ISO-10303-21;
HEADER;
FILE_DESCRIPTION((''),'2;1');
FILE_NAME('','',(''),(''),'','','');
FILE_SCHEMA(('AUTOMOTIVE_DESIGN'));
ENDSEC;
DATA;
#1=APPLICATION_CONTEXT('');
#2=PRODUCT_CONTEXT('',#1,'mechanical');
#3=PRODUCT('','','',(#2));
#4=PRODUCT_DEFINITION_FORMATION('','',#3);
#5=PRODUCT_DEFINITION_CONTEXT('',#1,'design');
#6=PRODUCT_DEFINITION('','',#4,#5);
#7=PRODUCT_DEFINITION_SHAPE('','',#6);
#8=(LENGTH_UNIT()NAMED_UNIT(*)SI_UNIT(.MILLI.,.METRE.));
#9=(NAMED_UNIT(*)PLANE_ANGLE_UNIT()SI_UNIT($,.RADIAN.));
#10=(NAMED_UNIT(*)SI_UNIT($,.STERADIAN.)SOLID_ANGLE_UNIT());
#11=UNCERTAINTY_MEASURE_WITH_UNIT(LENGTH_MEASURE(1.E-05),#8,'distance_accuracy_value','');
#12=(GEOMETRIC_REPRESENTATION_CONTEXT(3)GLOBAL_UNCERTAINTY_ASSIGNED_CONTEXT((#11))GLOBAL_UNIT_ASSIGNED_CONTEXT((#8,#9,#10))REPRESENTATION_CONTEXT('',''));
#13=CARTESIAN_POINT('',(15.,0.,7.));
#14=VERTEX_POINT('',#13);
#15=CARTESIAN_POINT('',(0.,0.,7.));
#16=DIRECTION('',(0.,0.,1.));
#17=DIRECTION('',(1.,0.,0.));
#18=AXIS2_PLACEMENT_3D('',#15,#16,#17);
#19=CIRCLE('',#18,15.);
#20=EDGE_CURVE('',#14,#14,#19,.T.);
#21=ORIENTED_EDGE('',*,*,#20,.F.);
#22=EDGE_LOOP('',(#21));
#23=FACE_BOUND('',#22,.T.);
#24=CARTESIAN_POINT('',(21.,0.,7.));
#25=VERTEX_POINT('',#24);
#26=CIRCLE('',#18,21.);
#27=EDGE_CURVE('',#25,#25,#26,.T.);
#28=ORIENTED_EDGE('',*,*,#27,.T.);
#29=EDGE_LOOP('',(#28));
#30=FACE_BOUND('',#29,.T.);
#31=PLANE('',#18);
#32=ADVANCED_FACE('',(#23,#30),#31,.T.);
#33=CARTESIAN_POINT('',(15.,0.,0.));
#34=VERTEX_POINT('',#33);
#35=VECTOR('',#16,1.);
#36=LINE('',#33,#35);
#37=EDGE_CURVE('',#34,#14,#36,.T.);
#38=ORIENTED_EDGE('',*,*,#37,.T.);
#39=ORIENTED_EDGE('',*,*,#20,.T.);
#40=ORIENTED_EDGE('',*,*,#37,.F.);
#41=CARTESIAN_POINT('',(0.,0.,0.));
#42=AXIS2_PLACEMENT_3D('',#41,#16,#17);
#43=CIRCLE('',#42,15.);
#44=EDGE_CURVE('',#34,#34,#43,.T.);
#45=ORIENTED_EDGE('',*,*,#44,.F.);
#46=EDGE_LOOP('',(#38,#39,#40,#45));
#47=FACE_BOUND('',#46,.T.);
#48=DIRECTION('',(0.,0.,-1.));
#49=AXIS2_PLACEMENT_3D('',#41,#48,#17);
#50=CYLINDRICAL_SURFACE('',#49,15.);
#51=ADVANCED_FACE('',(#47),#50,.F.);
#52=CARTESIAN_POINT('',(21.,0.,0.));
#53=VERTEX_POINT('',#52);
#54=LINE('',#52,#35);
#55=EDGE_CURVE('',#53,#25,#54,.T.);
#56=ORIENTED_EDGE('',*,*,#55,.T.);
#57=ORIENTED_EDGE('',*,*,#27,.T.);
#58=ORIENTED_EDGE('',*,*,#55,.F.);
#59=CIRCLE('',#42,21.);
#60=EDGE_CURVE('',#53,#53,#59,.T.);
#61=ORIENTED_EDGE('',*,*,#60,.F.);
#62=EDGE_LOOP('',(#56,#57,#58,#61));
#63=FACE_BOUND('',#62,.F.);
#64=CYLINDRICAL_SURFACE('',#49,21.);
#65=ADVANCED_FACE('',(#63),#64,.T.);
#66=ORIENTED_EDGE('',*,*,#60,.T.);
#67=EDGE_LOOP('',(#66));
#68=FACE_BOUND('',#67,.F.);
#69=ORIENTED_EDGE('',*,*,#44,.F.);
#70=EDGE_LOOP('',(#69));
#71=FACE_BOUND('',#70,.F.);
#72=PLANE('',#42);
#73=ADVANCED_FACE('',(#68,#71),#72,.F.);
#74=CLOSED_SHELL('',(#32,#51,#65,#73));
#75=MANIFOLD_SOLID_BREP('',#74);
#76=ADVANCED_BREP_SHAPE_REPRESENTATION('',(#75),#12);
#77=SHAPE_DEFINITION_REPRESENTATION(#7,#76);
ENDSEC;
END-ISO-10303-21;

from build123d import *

# Parameters (mm, degrees)
SKETCH1_R      = 21
SKETCH1_R_2    = 15
EXTRUDE1_DEPTH = 7


with BuildPart() as part:
    # Sketch1 → Extrude1 (new body)
    with BuildSketch(Plane.XY):
        Circle(SKETCH1_R)
        Circle(SKETCH1_R_2, mode=Mode.SUBTRACT)
    extrude(amount=EXTRUDE1_DEPTH)


solid = part.part
